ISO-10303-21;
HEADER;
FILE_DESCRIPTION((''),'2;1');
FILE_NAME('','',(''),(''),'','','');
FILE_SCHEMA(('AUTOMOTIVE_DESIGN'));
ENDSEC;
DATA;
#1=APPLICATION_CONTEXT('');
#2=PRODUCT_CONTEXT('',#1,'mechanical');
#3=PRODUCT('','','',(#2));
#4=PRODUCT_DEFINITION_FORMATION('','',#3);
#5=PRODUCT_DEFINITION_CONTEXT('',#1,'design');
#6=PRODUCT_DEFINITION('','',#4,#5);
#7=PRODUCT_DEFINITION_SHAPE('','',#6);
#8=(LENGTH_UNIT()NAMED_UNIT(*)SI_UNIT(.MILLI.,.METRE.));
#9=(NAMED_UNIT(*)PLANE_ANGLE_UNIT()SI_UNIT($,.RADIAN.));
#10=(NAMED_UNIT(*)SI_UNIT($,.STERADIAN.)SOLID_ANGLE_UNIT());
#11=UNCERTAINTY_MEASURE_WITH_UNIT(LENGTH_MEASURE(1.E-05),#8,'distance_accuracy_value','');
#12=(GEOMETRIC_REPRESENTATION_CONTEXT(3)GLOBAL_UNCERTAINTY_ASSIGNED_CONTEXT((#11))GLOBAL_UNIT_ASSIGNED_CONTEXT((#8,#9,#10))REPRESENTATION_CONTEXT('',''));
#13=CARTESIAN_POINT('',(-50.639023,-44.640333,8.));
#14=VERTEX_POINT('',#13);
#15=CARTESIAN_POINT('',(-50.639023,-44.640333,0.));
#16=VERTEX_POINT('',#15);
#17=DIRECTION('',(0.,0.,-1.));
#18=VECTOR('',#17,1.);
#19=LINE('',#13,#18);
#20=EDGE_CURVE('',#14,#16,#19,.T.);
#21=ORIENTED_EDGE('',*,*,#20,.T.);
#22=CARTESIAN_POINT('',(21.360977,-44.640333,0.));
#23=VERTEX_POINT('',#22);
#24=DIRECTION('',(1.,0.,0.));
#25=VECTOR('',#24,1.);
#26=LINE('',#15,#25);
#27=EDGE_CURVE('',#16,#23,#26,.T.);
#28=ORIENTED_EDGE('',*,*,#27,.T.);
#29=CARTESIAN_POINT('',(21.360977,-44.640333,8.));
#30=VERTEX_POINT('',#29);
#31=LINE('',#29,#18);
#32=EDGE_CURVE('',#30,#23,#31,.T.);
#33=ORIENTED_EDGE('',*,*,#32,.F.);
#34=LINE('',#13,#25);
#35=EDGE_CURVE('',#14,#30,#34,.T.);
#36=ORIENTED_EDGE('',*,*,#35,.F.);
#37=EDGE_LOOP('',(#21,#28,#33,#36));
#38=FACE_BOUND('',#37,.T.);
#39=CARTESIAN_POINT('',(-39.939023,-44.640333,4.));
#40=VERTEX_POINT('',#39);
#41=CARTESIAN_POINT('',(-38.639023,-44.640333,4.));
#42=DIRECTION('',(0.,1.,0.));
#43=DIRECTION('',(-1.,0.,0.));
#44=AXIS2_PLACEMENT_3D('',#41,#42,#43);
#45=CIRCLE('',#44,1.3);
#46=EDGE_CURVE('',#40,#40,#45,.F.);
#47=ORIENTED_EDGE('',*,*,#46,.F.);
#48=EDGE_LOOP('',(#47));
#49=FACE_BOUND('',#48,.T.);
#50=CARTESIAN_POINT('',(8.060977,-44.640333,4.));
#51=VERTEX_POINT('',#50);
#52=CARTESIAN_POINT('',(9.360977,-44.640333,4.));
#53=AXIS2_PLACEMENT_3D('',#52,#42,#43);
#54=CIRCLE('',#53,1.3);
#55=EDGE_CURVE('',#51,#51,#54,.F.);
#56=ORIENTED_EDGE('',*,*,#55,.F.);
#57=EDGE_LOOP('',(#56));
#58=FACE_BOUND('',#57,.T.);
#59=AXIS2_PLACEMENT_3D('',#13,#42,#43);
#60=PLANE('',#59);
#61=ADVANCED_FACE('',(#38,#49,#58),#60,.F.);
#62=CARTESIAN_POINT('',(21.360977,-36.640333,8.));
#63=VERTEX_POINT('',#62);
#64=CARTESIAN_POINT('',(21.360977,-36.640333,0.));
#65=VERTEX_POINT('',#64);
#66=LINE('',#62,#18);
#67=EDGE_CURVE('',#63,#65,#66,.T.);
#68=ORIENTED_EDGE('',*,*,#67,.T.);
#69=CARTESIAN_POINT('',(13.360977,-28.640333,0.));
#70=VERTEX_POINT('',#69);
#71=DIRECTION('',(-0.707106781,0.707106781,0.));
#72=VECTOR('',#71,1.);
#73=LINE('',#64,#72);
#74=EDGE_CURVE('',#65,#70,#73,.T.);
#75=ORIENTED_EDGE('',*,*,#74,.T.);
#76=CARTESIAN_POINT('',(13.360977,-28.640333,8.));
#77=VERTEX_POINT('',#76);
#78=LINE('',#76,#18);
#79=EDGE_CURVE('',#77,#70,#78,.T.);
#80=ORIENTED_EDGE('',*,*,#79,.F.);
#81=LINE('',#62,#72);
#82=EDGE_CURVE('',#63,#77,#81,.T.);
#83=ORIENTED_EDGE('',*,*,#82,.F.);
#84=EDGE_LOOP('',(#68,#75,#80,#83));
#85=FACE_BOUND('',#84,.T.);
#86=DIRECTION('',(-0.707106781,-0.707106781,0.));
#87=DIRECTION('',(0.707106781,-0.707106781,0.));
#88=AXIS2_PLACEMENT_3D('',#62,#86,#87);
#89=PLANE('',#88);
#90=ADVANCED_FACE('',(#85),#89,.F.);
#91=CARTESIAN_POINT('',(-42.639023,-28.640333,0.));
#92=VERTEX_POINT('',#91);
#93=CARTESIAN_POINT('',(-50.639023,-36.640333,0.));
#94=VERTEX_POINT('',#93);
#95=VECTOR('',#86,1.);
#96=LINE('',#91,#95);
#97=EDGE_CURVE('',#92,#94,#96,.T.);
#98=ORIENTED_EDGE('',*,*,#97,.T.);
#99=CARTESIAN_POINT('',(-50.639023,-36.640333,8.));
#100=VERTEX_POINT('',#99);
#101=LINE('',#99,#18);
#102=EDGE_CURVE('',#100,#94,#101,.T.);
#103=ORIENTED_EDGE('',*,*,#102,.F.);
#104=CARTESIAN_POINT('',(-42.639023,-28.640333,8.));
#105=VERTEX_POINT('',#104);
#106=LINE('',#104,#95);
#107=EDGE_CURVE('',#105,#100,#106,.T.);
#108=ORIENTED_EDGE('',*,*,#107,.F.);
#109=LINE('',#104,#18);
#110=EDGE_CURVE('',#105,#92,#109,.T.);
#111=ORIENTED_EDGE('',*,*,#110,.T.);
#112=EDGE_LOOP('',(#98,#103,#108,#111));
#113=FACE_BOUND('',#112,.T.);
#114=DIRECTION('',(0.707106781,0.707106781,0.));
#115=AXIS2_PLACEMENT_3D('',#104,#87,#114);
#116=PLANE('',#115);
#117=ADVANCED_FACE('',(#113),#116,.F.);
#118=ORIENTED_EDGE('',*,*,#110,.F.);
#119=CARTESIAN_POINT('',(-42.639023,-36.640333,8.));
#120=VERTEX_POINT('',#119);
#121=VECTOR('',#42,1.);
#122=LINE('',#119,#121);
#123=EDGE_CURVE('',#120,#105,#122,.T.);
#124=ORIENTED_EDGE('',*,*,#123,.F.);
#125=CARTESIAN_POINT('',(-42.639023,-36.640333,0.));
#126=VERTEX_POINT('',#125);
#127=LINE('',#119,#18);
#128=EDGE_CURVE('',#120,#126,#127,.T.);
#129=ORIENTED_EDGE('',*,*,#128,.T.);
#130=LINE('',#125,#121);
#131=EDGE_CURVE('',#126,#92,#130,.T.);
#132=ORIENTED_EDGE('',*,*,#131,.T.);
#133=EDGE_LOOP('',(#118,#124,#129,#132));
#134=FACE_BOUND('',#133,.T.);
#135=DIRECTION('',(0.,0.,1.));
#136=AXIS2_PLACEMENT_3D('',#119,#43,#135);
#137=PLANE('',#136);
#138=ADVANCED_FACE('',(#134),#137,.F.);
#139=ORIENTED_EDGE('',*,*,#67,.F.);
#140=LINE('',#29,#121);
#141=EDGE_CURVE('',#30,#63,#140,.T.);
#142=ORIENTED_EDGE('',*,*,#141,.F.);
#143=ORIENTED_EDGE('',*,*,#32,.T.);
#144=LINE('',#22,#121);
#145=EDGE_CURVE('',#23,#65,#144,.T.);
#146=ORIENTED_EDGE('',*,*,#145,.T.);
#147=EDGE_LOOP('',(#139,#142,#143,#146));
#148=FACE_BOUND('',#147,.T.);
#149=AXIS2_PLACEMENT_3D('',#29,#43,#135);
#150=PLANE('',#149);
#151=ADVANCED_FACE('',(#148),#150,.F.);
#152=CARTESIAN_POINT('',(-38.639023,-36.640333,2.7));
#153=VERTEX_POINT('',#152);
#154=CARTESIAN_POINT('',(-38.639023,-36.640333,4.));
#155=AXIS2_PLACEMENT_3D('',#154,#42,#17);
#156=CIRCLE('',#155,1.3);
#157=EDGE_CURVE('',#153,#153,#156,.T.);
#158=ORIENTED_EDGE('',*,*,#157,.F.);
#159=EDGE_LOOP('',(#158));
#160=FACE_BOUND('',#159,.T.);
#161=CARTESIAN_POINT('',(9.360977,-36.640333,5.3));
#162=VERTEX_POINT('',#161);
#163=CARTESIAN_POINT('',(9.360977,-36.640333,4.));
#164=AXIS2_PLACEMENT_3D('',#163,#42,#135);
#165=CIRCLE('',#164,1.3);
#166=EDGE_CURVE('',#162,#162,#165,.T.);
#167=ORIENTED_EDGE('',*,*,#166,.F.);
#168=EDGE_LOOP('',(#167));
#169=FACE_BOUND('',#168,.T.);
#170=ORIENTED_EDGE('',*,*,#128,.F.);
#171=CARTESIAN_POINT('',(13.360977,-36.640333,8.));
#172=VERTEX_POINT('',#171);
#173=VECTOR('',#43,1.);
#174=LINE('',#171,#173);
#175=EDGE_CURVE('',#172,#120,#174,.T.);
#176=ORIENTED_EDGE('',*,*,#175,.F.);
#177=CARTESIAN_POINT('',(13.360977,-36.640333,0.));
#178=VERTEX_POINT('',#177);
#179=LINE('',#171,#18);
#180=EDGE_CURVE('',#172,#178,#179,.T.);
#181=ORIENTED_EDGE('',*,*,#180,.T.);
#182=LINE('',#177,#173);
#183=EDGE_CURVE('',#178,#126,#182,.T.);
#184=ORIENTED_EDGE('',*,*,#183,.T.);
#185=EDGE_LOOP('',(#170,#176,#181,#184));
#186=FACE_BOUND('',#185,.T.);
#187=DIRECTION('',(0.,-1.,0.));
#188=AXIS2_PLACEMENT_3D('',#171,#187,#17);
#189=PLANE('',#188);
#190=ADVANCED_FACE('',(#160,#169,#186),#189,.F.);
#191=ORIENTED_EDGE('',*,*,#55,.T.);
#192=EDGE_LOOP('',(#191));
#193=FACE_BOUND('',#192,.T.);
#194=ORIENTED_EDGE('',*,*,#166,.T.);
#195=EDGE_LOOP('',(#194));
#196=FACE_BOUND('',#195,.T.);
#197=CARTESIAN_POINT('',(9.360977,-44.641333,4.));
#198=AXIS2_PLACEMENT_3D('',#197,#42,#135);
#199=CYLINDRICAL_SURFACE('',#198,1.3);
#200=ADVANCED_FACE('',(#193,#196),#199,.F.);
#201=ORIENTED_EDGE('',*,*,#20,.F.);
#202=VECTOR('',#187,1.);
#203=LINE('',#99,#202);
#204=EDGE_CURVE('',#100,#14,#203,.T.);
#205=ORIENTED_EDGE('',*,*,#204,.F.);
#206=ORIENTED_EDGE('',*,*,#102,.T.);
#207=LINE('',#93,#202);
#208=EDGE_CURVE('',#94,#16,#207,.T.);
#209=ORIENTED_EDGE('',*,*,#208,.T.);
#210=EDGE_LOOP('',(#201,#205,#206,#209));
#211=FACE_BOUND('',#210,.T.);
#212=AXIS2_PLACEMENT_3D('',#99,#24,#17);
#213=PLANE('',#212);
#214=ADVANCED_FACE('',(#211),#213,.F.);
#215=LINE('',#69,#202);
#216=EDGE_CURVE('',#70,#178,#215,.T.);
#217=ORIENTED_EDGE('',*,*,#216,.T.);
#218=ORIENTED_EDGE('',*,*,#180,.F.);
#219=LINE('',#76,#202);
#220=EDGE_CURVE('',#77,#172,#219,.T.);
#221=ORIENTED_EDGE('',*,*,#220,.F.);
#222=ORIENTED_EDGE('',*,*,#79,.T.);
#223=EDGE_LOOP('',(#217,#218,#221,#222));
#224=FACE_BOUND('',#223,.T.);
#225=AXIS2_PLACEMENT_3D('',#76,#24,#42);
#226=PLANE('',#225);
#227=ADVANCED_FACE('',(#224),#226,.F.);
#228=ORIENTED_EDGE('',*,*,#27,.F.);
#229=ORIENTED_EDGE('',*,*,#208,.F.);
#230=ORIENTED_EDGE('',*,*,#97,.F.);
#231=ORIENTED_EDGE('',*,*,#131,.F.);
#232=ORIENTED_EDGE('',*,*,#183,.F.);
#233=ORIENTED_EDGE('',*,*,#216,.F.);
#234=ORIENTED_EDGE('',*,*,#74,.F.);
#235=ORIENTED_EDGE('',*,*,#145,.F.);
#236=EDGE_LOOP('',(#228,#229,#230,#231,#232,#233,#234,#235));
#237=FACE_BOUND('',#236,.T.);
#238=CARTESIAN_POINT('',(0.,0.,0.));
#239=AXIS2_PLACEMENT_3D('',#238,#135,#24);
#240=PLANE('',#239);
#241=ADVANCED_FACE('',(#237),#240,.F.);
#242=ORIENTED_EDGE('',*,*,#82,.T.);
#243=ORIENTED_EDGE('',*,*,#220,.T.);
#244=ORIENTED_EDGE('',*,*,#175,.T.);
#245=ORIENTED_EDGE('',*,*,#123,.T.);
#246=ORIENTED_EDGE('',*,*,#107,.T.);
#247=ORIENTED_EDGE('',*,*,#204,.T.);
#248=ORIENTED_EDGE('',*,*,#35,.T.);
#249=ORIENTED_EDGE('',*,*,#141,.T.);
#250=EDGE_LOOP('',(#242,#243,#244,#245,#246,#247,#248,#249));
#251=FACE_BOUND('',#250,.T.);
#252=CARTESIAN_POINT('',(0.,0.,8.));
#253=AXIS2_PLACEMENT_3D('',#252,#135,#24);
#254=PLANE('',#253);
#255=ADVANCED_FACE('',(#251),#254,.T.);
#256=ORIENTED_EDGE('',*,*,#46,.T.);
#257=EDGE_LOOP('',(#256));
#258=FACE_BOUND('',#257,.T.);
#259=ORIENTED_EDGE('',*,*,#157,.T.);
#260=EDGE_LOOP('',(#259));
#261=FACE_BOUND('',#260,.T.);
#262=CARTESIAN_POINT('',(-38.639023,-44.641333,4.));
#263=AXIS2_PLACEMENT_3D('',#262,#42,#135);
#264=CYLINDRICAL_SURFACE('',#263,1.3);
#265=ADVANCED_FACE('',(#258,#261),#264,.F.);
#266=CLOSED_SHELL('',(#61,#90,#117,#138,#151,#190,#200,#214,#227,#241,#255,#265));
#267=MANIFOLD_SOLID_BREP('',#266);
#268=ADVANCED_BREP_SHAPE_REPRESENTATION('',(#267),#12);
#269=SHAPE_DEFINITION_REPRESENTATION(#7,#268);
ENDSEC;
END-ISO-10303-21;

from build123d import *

# Parameters (mm, degrees)
BOSS_EXTRUDE1_DEPTH = 8
CUT_EXTRUDE1_REACH  = 53.887
SKETCH2_R           = 1.3


with BuildPart() as part:
    # Sketch1 → Boss-Extrude1 (new body)
    with BuildSketch(Plane(origin=(0, 0, 0), x_dir=(0, 1, 0), z_dir=(0, 0, 1))):
        Polygon((-44.64033264, 50.63902284), (-44.64033264, -21.36097716), (-36.64033264, -21.36097716), (-28.64033264, -13.36097716), (-36.64033264, -13.36097716), (-36.64033264, 42.63902284), (-28.64033264, 42.63902284), (-36.64033264, 50.63902284), align=None)
    extrude(amount=BOSS_EXTRUDE1_DEPTH)

    # Sketch2 → Cut-Extrude1 (cut, up to next)
    with BuildSketch(Plane(origin=(0, -36.64033264, 0), x_dir=(-1, 0, 0), z_dir=(0, 1, 0)), mode=Mode.PRIVATE) as cut_extrude1_sk1:
        with Locations(Location((-9.36097716, 4, 0), (0, 0, 90))):
            Circle(SKETCH2_R)
    cut_extrude1_tool1 = extrude(cut_extrude1_sk1.sketch, amount=-CUT_EXTRUDE1_REACH, mode=Mode.PRIVATE) & part.part
    # Sketch2 → Cut-Extrude1 (cut, up to next)
    with BuildSketch(Plane(origin=(0, -36.64033264, 0), x_dir=(-1, 0, 0), z_dir=(0, 1, 0)), mode=Mode.PRIVATE) as cut_extrude1_sk2:
        with Locations((38.63902284, 4)):
            Circle(SKETCH2_R)
    cut_extrude1_tool2 = extrude(cut_extrude1_sk2.sketch, amount=-CUT_EXTRUDE1_REACH, mode=Mode.PRIVATE) & part.part
    add(cut_extrude1_tool1.solids().sort_by_distance((9.360977, -36.640333, 4))[0], mode=Mode.SUBTRACT)
    add(cut_extrude1_tool2.solids().sort_by_distance((-38.639023, -36.640333, 4))[0], mode=Mode.SUBTRACT)


solid = part.part
